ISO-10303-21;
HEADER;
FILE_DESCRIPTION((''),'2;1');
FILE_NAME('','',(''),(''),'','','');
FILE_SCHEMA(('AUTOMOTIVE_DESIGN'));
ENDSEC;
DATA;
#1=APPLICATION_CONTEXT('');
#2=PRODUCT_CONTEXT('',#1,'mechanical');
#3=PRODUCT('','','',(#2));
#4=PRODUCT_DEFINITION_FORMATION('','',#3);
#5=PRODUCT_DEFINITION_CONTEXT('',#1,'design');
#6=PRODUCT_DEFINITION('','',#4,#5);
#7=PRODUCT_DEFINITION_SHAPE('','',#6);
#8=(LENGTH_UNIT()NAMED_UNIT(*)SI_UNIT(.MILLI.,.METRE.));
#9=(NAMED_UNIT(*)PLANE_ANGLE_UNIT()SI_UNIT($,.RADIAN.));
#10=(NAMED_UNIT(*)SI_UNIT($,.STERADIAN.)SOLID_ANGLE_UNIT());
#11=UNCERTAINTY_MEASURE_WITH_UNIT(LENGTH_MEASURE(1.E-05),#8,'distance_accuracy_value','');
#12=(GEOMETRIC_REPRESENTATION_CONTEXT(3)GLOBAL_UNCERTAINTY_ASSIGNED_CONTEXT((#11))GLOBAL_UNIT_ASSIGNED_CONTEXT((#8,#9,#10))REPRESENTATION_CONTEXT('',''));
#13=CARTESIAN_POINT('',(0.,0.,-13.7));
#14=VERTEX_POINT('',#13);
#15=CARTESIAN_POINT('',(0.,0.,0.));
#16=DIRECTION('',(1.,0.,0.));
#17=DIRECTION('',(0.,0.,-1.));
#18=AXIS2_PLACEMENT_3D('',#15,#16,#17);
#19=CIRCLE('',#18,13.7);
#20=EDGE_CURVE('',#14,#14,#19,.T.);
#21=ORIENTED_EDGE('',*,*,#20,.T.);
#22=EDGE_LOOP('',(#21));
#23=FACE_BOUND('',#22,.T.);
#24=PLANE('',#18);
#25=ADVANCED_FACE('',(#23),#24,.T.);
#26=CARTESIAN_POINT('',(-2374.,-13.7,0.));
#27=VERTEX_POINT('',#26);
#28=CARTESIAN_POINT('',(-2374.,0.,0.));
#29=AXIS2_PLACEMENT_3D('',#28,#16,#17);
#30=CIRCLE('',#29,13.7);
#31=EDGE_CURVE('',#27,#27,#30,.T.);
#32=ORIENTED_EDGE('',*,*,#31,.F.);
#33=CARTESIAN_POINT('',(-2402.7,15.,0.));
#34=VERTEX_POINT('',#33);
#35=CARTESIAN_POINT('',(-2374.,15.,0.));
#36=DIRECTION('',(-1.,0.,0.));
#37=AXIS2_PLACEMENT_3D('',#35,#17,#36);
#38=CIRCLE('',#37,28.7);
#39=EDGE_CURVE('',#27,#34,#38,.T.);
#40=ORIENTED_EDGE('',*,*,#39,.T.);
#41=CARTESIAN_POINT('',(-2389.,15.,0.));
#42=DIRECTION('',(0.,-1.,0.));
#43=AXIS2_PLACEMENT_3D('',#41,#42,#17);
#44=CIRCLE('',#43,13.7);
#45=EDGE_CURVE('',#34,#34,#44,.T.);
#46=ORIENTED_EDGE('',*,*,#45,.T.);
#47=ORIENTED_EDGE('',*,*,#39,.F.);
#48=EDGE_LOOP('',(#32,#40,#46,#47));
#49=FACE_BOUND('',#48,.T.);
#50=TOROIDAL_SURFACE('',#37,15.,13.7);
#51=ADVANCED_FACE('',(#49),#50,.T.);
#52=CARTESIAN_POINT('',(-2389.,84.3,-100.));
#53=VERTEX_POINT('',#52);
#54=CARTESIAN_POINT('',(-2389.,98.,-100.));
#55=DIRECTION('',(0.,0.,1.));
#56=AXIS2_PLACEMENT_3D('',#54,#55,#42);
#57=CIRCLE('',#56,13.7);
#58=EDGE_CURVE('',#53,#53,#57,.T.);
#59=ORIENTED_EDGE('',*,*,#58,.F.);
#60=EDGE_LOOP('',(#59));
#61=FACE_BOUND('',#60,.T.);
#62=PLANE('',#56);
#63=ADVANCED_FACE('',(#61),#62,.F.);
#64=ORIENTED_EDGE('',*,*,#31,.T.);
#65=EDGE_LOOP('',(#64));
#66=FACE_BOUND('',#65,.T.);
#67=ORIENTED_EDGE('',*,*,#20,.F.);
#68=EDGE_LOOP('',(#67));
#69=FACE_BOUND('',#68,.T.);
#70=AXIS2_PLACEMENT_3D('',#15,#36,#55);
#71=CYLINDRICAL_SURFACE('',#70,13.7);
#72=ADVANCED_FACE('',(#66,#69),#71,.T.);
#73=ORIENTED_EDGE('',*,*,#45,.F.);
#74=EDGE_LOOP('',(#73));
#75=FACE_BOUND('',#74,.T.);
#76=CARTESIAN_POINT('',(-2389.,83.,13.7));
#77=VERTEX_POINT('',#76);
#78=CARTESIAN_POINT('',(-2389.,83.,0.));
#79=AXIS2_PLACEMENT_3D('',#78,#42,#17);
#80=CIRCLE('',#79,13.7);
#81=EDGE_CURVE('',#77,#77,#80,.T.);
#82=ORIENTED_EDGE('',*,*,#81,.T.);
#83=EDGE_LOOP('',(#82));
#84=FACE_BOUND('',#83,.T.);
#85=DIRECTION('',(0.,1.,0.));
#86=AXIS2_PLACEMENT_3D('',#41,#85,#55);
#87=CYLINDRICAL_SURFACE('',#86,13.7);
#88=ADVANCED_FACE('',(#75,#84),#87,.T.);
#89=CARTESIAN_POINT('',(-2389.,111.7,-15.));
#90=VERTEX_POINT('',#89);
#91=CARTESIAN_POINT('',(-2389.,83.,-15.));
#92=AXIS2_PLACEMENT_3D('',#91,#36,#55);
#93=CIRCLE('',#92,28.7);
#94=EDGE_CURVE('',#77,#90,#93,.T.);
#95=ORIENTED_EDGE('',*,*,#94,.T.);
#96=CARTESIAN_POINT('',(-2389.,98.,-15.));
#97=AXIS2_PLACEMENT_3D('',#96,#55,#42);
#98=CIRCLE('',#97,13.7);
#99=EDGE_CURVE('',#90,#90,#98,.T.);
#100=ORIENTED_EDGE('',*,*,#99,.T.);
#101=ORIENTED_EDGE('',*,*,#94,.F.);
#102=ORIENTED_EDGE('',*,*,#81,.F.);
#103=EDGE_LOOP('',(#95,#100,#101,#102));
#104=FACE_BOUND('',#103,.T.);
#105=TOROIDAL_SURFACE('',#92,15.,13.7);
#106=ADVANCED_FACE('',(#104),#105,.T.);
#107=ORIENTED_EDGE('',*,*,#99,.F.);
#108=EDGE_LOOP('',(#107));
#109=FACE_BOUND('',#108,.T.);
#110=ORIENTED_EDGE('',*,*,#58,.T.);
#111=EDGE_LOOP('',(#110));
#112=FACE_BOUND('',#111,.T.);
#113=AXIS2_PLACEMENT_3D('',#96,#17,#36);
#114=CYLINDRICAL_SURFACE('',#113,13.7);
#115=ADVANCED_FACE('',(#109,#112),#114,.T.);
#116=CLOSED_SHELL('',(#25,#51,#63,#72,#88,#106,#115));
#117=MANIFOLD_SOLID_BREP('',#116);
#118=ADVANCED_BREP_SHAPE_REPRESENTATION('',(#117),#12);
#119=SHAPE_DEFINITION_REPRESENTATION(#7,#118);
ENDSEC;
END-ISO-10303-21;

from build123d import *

# Parameters (mm, degrees)
CROQUIS1_R = 13.7


with BuildPart() as part:
    # Barrer1: sweep along a curve in space
    with BuildLine() as barrer1_path:
        Line((0, 0, 0), (-2374, 0, 0))
        ThreePointArc((-2374, 0, 0), (-2384.606601718, 4.393398282, 0), (-2389, 15, 0))
        Line((-2389, 15, 0), (-2389, 83, 0))
        ThreePointArc((-2389, 83, 0), (-2389, 93.606601718, -4.393398282), (-2389, 98, -15))
        Line((-2389, 98, -15), (-2389, 98, -100))
    # Croquis1 → Barrer1 (sweep)
    with BuildSketch(Plane(origin=(0, 0, 0), x_dir=(0, 0, -1), z_dir=(1, 0, 0))):
        Circle(CROQUIS1_R)
    sweep(path=barrer1_path.line)


solid = part.part
